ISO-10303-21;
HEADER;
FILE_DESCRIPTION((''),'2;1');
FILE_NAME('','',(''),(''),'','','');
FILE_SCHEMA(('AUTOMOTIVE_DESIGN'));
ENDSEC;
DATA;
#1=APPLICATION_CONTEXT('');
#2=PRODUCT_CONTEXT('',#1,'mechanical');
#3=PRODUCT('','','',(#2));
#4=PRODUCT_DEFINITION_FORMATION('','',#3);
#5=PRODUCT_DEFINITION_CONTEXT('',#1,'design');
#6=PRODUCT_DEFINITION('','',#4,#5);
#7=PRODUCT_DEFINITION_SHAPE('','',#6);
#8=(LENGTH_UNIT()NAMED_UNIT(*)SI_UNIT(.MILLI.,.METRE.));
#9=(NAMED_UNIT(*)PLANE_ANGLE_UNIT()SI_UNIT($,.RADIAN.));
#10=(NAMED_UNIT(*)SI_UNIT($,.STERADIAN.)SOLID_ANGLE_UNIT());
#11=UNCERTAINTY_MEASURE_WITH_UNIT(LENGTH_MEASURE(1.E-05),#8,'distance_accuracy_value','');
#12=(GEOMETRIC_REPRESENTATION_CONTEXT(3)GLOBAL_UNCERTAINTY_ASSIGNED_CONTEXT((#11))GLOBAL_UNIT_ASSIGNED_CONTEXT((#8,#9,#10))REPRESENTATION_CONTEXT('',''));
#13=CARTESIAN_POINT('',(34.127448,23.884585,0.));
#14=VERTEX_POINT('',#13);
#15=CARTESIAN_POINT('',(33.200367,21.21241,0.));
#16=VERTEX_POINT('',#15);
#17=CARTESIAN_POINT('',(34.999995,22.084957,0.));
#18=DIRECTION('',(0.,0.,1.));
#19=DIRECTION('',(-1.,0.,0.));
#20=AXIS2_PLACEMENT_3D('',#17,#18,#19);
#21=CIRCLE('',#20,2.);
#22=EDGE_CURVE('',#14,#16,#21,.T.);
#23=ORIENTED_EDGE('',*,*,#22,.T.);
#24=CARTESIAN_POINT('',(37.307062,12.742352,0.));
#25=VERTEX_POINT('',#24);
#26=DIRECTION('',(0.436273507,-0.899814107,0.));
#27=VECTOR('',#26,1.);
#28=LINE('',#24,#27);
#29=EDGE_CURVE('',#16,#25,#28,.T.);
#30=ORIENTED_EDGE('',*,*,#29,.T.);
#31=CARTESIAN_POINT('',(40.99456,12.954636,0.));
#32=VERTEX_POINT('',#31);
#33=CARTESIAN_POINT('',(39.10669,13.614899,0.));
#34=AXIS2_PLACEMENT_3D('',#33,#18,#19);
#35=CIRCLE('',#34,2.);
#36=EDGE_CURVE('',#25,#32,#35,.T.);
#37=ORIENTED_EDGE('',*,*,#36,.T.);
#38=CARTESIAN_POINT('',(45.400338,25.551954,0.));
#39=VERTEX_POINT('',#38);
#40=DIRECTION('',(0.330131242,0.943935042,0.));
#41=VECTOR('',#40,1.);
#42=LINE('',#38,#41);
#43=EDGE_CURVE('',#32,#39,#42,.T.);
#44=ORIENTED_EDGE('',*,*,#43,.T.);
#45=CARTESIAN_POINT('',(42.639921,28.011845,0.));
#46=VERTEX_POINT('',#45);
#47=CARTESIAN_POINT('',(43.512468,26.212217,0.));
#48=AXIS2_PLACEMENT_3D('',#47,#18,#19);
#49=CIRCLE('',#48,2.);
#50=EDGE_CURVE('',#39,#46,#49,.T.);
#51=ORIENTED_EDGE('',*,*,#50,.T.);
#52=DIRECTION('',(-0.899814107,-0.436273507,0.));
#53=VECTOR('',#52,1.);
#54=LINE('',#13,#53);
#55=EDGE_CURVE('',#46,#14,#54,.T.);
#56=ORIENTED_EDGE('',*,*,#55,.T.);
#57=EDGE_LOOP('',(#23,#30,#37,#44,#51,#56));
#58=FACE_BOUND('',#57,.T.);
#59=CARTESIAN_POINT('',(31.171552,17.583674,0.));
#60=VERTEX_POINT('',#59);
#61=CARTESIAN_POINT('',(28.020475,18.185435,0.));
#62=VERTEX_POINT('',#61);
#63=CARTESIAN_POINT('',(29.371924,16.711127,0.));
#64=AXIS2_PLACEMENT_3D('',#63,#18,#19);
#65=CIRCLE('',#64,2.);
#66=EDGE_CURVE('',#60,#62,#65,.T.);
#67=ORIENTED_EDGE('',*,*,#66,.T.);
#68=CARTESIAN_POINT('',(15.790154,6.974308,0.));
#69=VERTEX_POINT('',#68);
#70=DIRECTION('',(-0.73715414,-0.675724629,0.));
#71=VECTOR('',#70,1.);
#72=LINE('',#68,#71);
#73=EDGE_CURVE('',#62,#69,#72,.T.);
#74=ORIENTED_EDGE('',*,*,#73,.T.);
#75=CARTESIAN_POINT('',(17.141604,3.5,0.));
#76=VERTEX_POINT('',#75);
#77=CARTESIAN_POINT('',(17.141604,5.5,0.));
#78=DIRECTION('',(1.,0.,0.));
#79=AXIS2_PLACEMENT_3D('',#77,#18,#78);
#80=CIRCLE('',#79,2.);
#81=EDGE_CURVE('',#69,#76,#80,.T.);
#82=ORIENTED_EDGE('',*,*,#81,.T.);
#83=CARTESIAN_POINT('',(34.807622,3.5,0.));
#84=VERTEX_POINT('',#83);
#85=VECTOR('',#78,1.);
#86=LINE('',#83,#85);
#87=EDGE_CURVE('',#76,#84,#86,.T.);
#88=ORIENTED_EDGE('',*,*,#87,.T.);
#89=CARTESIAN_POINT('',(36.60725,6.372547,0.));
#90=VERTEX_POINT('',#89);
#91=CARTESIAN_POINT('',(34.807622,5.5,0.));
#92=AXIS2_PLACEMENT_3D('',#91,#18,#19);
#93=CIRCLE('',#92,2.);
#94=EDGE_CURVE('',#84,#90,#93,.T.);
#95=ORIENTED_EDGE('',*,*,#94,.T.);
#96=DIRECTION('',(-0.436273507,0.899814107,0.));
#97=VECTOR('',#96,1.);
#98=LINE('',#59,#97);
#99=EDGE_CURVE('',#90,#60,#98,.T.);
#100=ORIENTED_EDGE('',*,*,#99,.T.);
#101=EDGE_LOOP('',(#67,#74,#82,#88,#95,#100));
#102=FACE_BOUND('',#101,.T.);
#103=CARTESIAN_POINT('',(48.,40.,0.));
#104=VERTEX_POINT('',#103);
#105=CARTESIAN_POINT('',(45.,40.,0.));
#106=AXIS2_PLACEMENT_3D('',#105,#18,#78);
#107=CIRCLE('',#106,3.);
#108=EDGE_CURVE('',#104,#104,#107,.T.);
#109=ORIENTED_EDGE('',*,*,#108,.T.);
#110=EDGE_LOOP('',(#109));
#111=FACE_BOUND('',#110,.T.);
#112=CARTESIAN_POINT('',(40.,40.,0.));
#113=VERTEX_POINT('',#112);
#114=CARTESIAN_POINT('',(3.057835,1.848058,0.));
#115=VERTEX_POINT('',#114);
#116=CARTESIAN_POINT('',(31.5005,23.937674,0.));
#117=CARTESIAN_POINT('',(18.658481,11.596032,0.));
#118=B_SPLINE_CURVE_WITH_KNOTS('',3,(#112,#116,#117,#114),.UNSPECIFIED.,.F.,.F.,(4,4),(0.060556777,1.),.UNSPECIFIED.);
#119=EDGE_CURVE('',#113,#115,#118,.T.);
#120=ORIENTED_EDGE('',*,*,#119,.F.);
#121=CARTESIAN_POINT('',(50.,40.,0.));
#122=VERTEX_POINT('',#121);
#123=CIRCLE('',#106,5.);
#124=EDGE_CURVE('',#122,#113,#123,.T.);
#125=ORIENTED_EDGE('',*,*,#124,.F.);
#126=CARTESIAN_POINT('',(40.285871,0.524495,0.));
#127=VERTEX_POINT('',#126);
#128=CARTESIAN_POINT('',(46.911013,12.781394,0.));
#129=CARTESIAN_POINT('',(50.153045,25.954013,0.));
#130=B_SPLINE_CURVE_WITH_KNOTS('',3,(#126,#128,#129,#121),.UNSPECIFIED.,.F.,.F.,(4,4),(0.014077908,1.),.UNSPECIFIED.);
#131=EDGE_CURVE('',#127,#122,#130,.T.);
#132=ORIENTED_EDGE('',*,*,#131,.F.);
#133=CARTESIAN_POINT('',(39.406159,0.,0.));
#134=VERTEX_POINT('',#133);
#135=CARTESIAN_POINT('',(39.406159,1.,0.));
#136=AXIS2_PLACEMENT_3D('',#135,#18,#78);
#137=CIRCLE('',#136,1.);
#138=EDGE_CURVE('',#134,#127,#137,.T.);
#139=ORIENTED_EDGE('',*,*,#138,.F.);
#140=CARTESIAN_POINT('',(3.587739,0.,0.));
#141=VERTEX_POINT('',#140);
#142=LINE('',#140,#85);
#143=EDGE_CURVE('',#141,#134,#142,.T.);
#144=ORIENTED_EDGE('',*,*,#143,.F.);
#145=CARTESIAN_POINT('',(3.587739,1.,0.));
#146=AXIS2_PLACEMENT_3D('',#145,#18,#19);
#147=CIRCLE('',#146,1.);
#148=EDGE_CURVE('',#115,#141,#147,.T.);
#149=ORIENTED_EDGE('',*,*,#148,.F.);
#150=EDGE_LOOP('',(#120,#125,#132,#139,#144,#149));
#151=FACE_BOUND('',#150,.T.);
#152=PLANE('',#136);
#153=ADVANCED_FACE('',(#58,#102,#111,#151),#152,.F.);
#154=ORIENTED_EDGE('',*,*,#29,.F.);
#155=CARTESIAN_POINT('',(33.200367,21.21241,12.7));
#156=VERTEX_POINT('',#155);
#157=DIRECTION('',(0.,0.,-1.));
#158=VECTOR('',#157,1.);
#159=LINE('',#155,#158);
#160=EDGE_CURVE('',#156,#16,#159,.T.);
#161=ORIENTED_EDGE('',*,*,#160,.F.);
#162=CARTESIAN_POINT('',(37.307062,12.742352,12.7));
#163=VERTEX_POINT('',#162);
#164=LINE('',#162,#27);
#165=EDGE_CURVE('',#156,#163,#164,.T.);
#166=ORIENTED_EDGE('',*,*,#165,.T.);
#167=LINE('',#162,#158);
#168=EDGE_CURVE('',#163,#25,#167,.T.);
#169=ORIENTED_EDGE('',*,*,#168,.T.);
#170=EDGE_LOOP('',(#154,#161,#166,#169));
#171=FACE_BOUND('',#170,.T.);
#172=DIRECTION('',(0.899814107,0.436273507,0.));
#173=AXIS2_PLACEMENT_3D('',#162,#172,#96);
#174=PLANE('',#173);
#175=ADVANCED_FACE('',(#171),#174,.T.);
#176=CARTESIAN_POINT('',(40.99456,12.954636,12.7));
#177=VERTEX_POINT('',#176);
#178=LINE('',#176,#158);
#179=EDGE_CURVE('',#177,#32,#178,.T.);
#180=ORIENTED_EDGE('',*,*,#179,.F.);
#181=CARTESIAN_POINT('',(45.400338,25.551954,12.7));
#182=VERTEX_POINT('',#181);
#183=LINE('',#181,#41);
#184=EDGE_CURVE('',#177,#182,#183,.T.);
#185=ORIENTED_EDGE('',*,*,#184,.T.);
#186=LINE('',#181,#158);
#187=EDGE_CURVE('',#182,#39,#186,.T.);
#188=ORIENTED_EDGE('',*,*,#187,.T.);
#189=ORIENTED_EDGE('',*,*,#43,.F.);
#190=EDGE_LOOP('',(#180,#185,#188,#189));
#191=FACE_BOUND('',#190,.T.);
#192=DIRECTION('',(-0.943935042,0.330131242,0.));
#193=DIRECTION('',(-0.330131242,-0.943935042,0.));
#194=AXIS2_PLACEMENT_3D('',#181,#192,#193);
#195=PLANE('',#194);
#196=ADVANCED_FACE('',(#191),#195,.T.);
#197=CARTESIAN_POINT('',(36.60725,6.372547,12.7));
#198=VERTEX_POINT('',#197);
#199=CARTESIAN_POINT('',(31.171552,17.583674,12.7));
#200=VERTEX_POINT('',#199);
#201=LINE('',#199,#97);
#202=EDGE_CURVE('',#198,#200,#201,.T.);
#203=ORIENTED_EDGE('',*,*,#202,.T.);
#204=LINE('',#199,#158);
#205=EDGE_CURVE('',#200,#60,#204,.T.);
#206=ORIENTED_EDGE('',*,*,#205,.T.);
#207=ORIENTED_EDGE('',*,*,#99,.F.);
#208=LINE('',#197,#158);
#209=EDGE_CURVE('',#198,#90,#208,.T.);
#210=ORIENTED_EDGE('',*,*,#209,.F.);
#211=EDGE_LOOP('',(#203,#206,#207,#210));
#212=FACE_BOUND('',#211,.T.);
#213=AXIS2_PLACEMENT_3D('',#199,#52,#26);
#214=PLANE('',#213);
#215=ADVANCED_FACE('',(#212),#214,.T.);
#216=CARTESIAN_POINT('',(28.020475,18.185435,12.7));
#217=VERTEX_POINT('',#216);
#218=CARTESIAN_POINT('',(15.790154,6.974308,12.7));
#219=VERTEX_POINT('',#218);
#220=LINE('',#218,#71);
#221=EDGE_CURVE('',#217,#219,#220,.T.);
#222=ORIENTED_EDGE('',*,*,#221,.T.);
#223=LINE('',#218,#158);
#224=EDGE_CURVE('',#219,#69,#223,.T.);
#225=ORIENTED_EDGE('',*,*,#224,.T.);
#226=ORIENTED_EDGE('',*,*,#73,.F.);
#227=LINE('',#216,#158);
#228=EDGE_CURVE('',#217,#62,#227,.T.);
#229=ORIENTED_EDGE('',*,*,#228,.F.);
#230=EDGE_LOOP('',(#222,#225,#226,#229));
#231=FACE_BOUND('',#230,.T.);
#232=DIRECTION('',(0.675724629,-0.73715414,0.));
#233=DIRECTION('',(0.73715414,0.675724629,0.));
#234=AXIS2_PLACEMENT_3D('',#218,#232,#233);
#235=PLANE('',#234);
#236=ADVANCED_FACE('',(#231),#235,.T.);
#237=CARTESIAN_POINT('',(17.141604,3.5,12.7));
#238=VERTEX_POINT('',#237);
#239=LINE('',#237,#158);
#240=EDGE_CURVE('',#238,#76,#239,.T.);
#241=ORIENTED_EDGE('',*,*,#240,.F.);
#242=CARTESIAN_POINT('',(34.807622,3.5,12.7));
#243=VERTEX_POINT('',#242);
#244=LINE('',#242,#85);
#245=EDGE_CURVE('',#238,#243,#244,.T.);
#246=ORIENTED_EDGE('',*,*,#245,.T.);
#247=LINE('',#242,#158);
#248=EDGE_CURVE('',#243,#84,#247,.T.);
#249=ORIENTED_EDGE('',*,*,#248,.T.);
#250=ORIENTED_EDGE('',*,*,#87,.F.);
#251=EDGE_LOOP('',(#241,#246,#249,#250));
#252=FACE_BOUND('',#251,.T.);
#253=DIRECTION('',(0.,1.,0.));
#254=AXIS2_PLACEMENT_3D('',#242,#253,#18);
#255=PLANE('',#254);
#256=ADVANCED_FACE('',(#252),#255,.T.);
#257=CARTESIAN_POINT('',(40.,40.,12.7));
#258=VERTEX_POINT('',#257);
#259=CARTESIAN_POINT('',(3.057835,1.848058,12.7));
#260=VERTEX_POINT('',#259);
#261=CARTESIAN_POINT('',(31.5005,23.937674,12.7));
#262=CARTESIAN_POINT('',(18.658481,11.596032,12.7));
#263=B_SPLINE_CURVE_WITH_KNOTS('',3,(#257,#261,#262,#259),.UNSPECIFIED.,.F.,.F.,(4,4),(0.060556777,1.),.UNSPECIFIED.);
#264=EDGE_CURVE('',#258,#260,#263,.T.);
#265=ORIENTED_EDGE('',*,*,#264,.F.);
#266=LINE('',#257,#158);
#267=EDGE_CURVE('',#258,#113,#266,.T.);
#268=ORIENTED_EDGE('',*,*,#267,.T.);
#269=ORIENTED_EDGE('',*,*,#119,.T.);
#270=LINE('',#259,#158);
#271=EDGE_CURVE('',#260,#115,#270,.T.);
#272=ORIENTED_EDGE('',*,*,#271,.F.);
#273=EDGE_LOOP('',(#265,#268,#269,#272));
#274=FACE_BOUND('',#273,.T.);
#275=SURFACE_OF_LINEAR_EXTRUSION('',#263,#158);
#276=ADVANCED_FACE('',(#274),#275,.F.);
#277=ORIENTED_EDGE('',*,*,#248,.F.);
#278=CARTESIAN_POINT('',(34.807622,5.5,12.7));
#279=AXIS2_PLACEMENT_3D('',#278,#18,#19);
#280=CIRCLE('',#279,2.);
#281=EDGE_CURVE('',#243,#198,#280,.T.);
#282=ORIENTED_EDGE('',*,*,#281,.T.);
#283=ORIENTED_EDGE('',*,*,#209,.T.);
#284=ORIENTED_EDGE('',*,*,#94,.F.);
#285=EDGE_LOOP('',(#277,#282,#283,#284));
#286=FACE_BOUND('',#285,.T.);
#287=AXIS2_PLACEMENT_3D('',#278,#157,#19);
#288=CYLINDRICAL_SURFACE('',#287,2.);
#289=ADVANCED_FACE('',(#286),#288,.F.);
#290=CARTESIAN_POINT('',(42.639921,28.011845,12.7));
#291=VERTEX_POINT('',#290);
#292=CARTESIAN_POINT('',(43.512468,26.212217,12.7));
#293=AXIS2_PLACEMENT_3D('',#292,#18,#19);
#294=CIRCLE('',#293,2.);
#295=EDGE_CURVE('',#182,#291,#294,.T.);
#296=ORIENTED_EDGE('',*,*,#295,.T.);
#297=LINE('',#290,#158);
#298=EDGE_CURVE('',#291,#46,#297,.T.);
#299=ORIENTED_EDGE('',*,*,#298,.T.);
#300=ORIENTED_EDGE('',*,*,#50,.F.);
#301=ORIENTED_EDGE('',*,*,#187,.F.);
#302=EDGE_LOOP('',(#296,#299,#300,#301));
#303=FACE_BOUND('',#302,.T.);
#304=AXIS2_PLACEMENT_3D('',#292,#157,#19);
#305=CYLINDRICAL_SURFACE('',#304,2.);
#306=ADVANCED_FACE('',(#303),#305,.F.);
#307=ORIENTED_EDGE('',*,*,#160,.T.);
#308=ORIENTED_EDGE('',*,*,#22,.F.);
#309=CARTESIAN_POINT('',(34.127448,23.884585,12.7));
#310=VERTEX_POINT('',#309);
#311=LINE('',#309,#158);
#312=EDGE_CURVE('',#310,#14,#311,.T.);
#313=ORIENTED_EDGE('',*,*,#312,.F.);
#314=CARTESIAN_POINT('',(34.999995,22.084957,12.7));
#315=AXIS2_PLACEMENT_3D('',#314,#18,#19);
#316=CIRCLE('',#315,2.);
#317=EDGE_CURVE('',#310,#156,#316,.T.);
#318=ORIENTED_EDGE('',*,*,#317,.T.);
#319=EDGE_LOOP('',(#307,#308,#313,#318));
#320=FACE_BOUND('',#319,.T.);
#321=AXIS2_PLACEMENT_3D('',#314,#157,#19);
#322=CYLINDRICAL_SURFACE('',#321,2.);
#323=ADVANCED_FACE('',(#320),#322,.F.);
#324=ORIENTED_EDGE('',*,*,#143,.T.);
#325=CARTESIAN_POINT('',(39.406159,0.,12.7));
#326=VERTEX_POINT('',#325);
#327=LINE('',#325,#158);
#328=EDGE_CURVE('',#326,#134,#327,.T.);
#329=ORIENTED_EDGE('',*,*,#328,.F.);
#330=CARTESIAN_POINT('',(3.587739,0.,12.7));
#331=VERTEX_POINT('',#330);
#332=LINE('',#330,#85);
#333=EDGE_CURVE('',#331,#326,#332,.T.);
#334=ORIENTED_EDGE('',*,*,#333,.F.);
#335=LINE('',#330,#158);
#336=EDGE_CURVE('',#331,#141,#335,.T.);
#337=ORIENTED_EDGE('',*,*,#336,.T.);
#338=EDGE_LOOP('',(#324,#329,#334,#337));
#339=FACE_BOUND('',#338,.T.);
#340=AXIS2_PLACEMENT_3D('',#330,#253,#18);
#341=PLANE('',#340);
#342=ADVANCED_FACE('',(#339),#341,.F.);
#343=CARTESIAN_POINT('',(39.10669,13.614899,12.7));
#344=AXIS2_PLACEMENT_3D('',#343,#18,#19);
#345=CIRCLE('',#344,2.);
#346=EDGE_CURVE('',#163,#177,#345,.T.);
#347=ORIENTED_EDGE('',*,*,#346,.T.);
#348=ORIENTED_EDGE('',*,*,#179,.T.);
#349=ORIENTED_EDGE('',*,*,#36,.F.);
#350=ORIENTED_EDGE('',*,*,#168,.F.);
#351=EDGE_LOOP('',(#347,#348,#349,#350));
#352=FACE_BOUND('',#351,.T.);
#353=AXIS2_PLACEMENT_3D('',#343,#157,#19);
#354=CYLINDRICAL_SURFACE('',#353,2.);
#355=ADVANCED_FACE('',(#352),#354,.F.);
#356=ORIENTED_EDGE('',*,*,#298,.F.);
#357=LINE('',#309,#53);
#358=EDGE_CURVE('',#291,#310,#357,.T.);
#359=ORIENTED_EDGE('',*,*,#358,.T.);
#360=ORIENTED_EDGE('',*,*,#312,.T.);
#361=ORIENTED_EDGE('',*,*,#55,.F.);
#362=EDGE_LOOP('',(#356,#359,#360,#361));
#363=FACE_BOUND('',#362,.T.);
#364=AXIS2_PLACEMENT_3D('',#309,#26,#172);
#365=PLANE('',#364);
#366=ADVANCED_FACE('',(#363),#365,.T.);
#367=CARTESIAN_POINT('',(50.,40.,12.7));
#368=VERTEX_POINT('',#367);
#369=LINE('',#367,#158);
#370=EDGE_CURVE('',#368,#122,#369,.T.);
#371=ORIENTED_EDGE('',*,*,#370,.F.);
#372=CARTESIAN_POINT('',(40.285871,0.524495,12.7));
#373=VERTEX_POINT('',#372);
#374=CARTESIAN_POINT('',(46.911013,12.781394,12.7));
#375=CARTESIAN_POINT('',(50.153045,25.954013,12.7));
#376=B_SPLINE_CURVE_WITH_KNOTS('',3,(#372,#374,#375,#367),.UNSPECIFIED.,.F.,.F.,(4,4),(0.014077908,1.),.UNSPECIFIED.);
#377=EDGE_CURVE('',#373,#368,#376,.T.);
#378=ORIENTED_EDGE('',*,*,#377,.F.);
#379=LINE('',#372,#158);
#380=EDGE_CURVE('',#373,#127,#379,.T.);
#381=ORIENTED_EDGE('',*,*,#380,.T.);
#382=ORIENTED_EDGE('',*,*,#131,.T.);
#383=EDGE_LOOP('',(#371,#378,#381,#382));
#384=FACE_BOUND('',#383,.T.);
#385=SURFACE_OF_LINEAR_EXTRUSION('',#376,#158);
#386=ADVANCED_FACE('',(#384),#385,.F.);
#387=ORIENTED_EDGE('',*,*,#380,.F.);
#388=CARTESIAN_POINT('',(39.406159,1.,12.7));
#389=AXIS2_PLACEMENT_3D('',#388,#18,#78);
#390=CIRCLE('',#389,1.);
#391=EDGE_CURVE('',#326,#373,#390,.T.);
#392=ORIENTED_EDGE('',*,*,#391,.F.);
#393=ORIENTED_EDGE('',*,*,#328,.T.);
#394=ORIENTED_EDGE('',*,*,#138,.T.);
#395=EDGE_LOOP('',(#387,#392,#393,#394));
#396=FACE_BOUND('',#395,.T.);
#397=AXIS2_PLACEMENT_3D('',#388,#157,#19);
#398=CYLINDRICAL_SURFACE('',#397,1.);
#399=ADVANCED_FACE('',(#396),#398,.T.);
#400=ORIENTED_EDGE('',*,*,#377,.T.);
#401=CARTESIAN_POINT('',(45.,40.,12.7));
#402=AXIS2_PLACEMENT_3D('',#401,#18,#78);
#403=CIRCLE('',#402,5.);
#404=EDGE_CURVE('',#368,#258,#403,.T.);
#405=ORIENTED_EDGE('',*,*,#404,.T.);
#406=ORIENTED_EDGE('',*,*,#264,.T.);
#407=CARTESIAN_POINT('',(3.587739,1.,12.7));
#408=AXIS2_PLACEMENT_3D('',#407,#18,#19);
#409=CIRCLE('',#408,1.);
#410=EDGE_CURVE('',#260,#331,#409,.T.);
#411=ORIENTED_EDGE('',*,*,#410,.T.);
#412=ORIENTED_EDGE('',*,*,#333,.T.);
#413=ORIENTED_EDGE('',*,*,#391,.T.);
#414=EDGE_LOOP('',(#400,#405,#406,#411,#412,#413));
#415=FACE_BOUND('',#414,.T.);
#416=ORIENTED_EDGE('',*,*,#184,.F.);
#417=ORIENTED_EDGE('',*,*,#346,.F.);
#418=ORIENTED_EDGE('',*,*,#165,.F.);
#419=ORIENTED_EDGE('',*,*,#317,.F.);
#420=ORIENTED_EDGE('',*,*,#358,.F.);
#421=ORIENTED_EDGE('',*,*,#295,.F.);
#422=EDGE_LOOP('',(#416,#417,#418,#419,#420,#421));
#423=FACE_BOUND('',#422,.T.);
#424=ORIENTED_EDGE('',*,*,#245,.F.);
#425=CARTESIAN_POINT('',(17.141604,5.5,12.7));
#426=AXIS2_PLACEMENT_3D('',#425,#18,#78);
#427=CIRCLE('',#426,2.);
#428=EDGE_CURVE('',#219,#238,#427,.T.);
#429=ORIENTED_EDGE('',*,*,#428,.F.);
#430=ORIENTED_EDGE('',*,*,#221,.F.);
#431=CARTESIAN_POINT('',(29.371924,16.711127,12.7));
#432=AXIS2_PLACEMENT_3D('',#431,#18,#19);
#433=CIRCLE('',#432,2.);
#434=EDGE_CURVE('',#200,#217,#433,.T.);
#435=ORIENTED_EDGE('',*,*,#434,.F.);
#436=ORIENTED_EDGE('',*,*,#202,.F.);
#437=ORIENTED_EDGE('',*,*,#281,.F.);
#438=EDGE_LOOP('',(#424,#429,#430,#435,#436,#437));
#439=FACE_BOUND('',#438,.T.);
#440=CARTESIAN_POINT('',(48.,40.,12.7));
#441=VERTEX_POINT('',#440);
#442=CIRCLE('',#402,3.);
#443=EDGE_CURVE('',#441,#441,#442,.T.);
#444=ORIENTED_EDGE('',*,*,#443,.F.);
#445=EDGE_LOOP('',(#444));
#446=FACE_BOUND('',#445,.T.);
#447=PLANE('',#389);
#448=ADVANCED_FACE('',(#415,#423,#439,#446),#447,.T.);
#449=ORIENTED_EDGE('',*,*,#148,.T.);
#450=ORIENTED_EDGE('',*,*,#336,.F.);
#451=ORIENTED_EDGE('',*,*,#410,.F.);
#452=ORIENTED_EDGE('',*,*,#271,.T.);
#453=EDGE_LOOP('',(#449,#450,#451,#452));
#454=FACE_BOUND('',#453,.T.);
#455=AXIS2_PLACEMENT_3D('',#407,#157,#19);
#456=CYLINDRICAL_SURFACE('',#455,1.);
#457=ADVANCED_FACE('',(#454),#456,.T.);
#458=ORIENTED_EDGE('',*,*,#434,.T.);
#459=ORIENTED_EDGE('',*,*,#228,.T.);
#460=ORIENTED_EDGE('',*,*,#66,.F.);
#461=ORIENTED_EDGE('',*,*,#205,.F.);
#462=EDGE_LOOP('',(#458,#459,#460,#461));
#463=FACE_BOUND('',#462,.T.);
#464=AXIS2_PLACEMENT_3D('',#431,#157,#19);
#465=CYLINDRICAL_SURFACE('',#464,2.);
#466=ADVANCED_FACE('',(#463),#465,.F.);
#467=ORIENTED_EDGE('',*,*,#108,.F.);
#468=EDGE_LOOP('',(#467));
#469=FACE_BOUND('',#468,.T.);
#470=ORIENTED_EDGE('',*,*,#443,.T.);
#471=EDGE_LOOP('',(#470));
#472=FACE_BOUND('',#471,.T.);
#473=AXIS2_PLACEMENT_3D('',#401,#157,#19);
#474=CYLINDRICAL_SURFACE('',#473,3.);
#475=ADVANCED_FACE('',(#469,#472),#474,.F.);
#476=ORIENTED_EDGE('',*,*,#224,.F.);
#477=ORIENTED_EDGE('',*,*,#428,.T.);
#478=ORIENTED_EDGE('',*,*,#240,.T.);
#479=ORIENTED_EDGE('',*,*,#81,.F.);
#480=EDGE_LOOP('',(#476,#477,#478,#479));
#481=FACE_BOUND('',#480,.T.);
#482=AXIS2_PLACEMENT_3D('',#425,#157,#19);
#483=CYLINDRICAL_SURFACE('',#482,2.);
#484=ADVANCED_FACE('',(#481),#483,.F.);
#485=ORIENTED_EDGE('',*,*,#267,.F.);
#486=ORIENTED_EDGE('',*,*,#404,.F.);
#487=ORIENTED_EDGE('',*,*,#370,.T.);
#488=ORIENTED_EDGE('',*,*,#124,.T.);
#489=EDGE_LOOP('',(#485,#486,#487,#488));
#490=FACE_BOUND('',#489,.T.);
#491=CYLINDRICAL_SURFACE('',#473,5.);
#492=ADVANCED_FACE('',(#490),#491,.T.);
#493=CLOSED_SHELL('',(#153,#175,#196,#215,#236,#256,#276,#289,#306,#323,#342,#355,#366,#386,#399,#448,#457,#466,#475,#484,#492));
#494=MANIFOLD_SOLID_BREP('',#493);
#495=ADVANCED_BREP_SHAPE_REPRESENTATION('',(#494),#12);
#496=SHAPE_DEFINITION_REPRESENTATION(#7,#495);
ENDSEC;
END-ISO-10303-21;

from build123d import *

# Parameters (mm, degrees)
CROQUIS2_R              = 3
SALIENTE_EXTRUIR1_DEPTH = 12.7


with BuildPart() as part:
    # Croquis2 → Saliente-Extruir1 (new body)
    with BuildSketch(Plane.XY):
        with BuildLine():
            Line((3.587738838, 0), (39.406158703, 0))
            ThreePointArc((39.406158703, 0), (39.918259557, 0.141074674), (40.285871489, 0.524494569))
            add(Edge.make_bspline(
                [(40.285871489, 0.524494569), (46.911013433, 12.781393637), (50.153045093, 25.954013269), (50, 40)],
                knots=[0.014077908, 0.014077908, 0.014077908, 0.014077908, 1, 1, 1, 1], degree=3))
            ThreePointArc((50, 40), (45, 45), (40, 40))
            add(Edge.make_bspline(
                [(3.057834867, 1.848057652), (18.658480945, 11.5960321), (31.500499666, 23.937674405), (40, 40)],
                knots=[0.060556777, 0.060556777, 0.060556777, 0.060556777, 1, 1, 1, 1], degree=3))
            ThreePointArc((3.057834867, 1.848057652), (2.626474657, 0.724371311), (3.587738838, 0))
        make_face()
        with Locations((45, 40)):
            Circle(CROQUIS2_R, mode=Mode.SUBTRACT)
        with BuildLine():
            Line((15.790154488, 6.97430828), (28.020474624, 18.185435072))
            ThreePointArc((28.020474624, 18.185435072), (29.74708418, 18.675625391), (31.171552095, 17.583673804))
            Line((31.171552095, 17.583673804), (36.607249933, 6.372547013))
            ThreePointArc((36.607249933, 6.372547013), (36.502480714, 4.438184109), (34.807621719, 3.5))
            Line((34.807621719, 3.5), (17.141603745, 3.5))
            ThreePointArc((17.141603745, 3.5), (15.277654099, 4.774953988), (15.790154488, 6.97430828))
        make_face(mode=Mode.SUBTRACT)
        with BuildLine():
            Line((37.307061828, 12.742351686), (33.200366798, 21.212410186))
            ThreePointArc((33.200366798, 21.212410186), (33.110481788, 22.740502603), (34.127447999, 23.884585413))
            Line((34.127447999, 23.884585413), (42.639921091, 28.011845094))
            ThreePointArc((42.639921091, 28.011845094), (44.843064134, 27.705372666), (45.400338187, 25.551954395))
            Line((45.400338187, 25.551954395), (40.994560126, 12.954636215))
            ThreePointArc((40.994560126, 12.954636215), (39.221637148, 11.61820464), (37.307061828, 12.742351686))
        make_face(mode=Mode.SUBTRACT)
    extrude(amount=SALIENTE_EXTRUIR1_DEPTH)


solid = part.part
